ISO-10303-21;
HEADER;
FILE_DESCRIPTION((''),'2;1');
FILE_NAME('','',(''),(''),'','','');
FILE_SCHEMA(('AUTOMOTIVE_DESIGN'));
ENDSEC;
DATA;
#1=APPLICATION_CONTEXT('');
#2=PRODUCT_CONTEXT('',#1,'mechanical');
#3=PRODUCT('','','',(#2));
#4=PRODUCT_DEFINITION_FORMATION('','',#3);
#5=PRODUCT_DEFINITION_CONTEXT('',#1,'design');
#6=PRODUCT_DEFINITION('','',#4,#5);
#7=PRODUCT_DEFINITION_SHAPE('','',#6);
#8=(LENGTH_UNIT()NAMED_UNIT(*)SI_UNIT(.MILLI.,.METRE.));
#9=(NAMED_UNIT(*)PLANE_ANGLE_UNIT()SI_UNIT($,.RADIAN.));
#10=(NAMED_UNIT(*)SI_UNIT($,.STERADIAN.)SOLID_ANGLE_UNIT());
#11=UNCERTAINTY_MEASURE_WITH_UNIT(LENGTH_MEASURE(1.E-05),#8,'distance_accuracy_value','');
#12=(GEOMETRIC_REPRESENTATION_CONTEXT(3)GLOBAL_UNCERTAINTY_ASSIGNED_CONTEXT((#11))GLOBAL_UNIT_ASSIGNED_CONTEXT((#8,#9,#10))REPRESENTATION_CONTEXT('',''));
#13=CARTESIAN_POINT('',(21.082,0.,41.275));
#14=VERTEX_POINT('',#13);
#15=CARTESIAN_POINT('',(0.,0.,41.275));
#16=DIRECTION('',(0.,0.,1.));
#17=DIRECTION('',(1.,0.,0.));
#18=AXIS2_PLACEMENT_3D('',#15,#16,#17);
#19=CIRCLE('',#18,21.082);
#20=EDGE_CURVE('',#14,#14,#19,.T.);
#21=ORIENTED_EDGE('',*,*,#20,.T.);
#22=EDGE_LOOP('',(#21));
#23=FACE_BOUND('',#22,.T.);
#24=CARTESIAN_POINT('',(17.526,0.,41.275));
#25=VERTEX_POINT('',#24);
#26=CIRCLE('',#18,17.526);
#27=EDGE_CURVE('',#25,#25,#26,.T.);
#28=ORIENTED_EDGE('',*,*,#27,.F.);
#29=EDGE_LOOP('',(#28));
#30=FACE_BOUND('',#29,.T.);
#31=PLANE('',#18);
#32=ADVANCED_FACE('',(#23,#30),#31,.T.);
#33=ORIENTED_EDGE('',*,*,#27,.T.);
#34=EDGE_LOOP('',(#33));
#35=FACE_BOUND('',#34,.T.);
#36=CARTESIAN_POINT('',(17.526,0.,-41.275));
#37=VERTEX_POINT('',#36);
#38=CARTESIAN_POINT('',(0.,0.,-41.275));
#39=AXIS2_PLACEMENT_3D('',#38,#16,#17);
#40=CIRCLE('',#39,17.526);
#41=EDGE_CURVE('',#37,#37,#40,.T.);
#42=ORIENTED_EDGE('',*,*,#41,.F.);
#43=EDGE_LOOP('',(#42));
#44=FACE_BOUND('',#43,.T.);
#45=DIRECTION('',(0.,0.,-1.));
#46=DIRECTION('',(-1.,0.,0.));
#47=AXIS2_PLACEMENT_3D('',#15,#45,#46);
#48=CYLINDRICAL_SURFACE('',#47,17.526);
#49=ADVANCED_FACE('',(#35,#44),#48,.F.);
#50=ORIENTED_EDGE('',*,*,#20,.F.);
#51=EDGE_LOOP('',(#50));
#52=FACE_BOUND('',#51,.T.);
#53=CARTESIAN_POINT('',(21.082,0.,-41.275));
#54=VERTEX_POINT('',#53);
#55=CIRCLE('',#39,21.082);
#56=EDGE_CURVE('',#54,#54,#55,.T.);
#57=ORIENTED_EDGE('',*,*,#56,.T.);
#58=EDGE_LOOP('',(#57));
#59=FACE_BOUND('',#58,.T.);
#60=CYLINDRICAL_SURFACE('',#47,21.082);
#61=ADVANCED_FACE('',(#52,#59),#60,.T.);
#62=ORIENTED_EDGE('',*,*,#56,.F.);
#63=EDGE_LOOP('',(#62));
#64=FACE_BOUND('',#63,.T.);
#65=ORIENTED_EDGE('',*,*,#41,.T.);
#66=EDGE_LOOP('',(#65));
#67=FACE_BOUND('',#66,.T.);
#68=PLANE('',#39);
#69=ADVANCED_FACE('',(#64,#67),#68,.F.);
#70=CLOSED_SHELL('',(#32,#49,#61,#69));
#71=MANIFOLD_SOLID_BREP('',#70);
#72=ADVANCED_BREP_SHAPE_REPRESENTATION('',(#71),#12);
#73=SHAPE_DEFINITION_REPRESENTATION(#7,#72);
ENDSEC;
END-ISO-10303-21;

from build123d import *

# Parameters (mm, degrees)
SKETCH1_R           = 21.082
SKETCH1_R_2         = 17.526
EXTRUDE_THIN1_DEPTH = 41.275


with BuildPart() as part:
    # Sketch1 → Extrude-Thin1 (new body, symmetric)
    with BuildSketch(Plane.XY):
        Circle(SKETCH1_R)
        Circle(SKETCH1_R_2, mode=Mode.SUBTRACT)
    extrude(amount=EXTRUDE_THIN1_DEPTH, both=True)


solid = part.part
